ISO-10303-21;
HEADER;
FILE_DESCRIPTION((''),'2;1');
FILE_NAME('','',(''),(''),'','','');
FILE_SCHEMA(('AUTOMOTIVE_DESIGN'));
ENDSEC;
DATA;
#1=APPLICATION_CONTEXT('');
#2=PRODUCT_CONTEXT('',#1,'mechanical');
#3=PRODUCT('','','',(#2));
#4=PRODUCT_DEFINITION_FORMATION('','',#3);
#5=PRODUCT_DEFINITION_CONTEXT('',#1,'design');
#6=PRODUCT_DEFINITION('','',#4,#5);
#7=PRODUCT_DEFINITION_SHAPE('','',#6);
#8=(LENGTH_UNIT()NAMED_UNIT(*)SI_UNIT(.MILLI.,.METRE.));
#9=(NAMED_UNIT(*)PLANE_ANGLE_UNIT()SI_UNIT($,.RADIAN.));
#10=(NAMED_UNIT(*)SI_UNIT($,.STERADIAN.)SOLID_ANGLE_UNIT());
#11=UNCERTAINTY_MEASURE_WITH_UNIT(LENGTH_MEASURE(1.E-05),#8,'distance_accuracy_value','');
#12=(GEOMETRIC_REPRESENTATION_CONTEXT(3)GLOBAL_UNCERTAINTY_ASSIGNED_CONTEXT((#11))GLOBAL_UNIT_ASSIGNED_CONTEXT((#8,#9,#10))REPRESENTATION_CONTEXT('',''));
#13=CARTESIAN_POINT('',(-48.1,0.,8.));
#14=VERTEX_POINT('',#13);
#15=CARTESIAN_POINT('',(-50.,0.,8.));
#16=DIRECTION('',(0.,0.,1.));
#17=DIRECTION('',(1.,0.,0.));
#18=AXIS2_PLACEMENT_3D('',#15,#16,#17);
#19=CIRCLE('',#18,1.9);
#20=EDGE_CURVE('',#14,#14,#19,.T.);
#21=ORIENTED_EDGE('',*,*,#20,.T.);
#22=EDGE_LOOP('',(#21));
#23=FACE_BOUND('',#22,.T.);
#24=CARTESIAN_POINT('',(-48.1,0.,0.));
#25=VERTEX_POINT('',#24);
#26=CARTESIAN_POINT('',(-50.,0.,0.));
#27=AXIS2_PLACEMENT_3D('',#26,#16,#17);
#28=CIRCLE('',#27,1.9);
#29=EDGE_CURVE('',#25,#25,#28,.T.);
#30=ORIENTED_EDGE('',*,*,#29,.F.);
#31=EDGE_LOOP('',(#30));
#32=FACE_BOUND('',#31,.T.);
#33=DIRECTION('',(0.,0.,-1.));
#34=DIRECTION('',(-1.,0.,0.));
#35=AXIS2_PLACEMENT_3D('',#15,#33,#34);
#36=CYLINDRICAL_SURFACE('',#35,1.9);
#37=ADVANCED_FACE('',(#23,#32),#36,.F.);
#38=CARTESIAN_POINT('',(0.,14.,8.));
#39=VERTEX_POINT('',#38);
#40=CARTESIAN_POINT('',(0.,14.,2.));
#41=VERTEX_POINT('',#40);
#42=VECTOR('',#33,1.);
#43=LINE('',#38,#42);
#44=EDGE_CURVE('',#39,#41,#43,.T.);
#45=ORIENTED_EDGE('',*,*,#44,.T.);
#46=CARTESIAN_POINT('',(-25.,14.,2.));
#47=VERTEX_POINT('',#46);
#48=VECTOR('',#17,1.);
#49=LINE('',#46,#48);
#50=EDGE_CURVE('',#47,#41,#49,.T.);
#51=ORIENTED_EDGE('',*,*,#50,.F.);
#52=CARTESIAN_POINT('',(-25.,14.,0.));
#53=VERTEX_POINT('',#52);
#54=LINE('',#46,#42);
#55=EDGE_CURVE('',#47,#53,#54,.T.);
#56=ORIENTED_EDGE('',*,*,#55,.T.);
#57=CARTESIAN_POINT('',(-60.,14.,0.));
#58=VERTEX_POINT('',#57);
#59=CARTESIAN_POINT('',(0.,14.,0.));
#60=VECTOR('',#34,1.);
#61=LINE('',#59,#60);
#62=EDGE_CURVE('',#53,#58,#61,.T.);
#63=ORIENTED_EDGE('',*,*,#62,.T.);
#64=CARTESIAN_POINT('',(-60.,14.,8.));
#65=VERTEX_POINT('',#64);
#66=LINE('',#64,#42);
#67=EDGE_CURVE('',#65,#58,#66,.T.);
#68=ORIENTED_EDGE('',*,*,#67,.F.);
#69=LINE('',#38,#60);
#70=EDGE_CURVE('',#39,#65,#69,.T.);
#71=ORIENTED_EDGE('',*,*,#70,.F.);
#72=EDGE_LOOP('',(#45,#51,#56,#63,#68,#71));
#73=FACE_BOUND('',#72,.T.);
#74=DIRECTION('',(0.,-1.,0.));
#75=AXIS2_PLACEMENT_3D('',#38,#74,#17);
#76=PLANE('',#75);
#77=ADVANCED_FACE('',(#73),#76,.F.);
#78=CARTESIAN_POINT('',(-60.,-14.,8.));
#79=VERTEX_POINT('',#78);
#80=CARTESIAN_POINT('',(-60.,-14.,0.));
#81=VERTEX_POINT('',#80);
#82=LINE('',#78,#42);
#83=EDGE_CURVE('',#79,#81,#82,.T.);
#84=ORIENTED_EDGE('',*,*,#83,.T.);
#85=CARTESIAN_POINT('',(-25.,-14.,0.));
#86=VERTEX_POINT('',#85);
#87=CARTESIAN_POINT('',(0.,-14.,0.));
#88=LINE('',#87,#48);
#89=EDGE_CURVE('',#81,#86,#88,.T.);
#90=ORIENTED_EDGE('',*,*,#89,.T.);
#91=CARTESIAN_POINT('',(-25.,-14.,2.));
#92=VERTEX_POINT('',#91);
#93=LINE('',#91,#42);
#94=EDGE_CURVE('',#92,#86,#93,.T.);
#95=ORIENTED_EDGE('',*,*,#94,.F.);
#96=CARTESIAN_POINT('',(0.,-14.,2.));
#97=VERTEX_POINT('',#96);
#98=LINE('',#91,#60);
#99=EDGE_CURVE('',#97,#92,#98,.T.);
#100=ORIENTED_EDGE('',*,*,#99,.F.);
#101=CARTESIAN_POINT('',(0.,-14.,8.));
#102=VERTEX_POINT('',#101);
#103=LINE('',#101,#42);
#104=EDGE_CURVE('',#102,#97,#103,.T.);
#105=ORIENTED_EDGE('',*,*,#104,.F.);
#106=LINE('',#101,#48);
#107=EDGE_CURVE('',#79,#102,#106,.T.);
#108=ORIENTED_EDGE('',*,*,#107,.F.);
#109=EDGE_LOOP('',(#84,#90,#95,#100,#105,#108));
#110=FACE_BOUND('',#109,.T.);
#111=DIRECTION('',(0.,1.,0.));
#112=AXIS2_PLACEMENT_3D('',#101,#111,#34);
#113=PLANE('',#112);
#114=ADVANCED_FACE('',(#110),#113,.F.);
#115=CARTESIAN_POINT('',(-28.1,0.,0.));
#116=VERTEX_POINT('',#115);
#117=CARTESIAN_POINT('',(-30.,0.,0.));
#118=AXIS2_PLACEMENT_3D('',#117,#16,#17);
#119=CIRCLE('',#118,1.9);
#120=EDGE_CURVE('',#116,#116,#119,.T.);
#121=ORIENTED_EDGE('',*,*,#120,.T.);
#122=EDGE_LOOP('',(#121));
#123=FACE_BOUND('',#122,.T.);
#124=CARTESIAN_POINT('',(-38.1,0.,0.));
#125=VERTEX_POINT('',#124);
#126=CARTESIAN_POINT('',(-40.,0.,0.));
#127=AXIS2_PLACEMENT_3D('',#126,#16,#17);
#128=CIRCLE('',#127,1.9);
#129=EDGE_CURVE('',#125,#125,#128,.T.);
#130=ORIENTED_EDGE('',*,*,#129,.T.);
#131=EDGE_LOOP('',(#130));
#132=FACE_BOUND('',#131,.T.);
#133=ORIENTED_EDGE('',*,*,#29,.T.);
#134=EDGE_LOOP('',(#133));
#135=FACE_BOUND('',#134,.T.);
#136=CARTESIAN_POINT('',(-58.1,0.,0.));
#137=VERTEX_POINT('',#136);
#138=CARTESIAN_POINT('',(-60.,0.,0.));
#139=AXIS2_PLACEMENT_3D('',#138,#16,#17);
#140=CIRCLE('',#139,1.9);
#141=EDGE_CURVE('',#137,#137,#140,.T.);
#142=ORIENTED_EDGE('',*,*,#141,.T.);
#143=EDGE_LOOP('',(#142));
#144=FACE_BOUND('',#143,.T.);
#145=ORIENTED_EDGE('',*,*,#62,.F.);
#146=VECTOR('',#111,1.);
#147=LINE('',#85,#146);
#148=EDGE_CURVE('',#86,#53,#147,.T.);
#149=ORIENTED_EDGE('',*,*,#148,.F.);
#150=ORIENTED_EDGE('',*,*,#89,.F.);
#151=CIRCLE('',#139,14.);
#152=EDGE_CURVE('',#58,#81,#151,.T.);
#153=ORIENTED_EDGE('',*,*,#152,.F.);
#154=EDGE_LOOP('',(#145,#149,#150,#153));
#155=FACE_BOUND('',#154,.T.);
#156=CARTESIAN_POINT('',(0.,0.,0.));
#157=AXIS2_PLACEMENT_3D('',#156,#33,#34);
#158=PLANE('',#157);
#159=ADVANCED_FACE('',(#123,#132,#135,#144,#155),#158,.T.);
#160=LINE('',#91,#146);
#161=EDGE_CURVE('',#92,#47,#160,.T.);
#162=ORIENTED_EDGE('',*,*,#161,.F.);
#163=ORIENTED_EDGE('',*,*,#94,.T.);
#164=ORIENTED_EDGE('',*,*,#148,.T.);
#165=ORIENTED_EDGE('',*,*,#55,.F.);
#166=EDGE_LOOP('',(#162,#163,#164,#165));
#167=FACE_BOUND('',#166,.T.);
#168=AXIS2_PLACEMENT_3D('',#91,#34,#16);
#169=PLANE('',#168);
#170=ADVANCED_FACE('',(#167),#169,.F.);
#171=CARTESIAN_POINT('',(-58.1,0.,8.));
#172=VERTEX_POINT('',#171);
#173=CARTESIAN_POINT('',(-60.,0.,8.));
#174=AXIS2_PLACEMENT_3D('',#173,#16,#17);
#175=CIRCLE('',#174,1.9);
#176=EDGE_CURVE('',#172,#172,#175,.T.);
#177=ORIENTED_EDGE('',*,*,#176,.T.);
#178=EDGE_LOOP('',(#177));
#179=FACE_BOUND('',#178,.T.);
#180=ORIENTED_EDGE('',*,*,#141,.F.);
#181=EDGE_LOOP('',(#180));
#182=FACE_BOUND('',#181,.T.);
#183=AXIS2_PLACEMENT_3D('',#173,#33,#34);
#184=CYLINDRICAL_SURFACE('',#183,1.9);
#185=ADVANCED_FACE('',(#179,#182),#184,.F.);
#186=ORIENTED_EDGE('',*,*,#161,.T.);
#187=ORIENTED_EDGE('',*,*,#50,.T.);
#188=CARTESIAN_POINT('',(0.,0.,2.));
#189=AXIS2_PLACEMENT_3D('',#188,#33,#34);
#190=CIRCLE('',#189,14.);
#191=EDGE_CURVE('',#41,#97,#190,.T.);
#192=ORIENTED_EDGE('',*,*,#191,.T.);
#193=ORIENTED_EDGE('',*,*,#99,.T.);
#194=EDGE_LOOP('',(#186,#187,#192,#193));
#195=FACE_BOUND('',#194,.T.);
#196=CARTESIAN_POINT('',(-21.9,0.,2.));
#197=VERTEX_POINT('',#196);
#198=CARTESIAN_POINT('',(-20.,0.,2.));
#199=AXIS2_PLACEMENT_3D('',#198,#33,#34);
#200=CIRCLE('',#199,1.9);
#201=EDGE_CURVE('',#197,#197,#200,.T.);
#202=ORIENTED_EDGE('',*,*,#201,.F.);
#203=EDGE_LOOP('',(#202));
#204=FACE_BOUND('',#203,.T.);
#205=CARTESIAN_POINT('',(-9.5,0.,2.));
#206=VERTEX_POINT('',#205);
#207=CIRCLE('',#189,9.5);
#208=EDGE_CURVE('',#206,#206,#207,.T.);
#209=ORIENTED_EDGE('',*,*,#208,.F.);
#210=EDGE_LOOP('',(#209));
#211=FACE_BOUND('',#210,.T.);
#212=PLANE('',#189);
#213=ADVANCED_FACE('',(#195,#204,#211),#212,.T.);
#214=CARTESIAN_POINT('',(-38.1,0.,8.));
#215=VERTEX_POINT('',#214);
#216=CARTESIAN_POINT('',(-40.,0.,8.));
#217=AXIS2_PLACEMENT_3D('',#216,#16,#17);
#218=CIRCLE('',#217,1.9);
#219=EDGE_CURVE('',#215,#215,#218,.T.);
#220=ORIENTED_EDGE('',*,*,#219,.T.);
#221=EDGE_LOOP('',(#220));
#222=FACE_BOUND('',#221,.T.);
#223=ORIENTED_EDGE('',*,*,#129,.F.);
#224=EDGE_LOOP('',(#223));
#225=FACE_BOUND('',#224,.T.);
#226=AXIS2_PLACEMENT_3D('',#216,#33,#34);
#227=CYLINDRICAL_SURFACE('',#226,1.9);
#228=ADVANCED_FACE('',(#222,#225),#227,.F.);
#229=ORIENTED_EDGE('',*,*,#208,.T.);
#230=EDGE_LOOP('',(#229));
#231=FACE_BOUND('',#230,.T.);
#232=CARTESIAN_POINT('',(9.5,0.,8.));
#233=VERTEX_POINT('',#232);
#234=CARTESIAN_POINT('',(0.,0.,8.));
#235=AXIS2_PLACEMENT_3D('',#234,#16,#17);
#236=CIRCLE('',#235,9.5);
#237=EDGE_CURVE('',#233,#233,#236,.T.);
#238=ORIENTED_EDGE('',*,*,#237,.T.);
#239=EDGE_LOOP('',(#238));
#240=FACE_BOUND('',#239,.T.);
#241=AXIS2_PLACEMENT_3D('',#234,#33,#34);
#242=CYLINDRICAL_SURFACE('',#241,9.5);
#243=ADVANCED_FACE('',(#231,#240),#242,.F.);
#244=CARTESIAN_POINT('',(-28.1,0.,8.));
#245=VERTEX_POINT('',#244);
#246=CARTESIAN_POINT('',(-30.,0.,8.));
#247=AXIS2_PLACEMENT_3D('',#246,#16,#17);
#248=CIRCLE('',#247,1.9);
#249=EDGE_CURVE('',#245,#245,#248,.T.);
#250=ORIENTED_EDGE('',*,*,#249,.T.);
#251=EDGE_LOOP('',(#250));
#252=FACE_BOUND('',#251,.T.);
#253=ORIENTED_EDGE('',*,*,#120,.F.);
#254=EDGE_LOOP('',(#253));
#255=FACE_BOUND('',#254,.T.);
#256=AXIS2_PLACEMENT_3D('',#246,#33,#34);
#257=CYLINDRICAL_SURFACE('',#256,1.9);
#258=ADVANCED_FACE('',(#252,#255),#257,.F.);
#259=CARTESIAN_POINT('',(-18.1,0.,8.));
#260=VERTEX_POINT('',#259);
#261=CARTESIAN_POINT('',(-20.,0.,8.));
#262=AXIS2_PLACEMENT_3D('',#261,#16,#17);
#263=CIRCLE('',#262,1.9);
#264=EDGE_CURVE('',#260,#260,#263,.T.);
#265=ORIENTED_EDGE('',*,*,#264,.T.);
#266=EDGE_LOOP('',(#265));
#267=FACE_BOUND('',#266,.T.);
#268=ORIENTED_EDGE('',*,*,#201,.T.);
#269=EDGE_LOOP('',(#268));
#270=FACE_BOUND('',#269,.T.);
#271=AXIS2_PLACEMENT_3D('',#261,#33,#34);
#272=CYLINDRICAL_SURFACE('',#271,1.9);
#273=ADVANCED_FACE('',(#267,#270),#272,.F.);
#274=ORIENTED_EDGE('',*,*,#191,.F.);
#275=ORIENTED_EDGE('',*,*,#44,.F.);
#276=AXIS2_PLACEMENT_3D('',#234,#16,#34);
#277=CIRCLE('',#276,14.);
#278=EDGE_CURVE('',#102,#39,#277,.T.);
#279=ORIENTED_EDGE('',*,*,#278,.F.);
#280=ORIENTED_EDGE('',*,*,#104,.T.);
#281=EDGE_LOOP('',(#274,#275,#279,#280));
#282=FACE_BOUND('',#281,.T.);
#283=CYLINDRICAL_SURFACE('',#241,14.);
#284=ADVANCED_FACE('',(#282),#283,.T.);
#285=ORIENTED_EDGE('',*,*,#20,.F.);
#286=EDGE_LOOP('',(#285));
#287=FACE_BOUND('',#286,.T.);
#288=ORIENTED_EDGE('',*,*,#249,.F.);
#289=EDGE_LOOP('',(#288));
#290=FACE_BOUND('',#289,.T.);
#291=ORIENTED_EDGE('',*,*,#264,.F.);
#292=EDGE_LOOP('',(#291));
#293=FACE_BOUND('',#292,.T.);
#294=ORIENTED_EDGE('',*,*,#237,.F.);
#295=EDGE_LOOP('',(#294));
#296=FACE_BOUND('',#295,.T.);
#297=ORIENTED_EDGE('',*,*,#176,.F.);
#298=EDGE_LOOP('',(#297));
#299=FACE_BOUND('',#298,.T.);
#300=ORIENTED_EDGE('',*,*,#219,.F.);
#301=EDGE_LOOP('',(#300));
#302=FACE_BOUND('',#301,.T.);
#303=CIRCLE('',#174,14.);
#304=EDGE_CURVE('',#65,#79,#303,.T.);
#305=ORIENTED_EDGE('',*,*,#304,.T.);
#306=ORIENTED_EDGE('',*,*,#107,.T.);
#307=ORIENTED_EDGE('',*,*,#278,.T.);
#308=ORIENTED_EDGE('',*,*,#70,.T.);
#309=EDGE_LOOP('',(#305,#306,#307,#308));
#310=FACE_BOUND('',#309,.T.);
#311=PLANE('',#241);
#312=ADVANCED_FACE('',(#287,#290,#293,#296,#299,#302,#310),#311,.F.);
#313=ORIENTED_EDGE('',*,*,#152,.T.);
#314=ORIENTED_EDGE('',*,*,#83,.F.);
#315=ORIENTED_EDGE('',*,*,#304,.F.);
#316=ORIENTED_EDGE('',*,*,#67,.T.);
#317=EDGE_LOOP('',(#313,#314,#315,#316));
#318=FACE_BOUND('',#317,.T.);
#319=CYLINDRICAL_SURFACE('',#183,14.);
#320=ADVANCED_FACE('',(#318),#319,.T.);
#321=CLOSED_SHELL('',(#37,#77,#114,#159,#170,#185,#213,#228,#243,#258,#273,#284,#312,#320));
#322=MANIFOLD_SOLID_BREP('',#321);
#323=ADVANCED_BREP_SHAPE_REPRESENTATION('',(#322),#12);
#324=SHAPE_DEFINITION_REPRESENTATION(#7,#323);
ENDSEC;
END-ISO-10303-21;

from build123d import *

# Parameters (mm, degrees)
ESQUISSE1_R             = 9.5
ESQUISSE1_R_2           = 1.9
BOSS_EXTRU_1_DEPTH      = 8
ESQUISSE3_W             = 39
ESQUISSE3_H             = 28
ENL_V_MAT_EXTRU_1_DEPTH = 2


with BuildPart() as part:
    # Esquisse1 → Boss.-Extru.1 (new body)
    with BuildSketch(Plane.XY):
        with BuildLine():
            Line((0, 14), (-60, 14))
            ThreePointArc((-60, 14), (-74, 0), (-60, -14))
            Line((-60, -14), (0, -14))
            ThreePointArc((0, -14), (14, 0), (0, 14))
        make_face()
        Circle(ESQUISSE1_R, mode=Mode.SUBTRACT)
        with Locations((-60, 0)):
            Circle(ESQUISSE1_R_2, mode=Mode.SUBTRACT)
        with Locations((-50, 0)):
            Circle(ESQUISSE1_R_2, mode=Mode.SUBTRACT)
        with Locations((-40, 0)):
            Circle(ESQUISSE1_R_2, mode=Mode.SUBTRACT)
        with Locations((-30, 0)):
            Circle(ESQUISSE1_R_2, mode=Mode.SUBTRACT)
        with Locations((-20, 0)):
            Circle(ESQUISSE1_R_2, mode=Mode.SUBTRACT)
    extrude(amount=BOSS_EXTRU_1_DEPTH)

    # Esquisse3 → Enlèv. mat.-Extru.1 (cut)
    with BuildSketch(Plane(origin=(0, 0, 0), x_dir=(-1, 0, 0), z_dir=(0, 0, -1))):
        with Locations((5.5, 0)):
            Rectangle(ESQUISSE3_W, ESQUISSE3_H)
    extrude(amount=-ENL_V_MAT_EXTRU_1_DEPTH, mode=Mode.SUBTRACT)


solid = part.part
